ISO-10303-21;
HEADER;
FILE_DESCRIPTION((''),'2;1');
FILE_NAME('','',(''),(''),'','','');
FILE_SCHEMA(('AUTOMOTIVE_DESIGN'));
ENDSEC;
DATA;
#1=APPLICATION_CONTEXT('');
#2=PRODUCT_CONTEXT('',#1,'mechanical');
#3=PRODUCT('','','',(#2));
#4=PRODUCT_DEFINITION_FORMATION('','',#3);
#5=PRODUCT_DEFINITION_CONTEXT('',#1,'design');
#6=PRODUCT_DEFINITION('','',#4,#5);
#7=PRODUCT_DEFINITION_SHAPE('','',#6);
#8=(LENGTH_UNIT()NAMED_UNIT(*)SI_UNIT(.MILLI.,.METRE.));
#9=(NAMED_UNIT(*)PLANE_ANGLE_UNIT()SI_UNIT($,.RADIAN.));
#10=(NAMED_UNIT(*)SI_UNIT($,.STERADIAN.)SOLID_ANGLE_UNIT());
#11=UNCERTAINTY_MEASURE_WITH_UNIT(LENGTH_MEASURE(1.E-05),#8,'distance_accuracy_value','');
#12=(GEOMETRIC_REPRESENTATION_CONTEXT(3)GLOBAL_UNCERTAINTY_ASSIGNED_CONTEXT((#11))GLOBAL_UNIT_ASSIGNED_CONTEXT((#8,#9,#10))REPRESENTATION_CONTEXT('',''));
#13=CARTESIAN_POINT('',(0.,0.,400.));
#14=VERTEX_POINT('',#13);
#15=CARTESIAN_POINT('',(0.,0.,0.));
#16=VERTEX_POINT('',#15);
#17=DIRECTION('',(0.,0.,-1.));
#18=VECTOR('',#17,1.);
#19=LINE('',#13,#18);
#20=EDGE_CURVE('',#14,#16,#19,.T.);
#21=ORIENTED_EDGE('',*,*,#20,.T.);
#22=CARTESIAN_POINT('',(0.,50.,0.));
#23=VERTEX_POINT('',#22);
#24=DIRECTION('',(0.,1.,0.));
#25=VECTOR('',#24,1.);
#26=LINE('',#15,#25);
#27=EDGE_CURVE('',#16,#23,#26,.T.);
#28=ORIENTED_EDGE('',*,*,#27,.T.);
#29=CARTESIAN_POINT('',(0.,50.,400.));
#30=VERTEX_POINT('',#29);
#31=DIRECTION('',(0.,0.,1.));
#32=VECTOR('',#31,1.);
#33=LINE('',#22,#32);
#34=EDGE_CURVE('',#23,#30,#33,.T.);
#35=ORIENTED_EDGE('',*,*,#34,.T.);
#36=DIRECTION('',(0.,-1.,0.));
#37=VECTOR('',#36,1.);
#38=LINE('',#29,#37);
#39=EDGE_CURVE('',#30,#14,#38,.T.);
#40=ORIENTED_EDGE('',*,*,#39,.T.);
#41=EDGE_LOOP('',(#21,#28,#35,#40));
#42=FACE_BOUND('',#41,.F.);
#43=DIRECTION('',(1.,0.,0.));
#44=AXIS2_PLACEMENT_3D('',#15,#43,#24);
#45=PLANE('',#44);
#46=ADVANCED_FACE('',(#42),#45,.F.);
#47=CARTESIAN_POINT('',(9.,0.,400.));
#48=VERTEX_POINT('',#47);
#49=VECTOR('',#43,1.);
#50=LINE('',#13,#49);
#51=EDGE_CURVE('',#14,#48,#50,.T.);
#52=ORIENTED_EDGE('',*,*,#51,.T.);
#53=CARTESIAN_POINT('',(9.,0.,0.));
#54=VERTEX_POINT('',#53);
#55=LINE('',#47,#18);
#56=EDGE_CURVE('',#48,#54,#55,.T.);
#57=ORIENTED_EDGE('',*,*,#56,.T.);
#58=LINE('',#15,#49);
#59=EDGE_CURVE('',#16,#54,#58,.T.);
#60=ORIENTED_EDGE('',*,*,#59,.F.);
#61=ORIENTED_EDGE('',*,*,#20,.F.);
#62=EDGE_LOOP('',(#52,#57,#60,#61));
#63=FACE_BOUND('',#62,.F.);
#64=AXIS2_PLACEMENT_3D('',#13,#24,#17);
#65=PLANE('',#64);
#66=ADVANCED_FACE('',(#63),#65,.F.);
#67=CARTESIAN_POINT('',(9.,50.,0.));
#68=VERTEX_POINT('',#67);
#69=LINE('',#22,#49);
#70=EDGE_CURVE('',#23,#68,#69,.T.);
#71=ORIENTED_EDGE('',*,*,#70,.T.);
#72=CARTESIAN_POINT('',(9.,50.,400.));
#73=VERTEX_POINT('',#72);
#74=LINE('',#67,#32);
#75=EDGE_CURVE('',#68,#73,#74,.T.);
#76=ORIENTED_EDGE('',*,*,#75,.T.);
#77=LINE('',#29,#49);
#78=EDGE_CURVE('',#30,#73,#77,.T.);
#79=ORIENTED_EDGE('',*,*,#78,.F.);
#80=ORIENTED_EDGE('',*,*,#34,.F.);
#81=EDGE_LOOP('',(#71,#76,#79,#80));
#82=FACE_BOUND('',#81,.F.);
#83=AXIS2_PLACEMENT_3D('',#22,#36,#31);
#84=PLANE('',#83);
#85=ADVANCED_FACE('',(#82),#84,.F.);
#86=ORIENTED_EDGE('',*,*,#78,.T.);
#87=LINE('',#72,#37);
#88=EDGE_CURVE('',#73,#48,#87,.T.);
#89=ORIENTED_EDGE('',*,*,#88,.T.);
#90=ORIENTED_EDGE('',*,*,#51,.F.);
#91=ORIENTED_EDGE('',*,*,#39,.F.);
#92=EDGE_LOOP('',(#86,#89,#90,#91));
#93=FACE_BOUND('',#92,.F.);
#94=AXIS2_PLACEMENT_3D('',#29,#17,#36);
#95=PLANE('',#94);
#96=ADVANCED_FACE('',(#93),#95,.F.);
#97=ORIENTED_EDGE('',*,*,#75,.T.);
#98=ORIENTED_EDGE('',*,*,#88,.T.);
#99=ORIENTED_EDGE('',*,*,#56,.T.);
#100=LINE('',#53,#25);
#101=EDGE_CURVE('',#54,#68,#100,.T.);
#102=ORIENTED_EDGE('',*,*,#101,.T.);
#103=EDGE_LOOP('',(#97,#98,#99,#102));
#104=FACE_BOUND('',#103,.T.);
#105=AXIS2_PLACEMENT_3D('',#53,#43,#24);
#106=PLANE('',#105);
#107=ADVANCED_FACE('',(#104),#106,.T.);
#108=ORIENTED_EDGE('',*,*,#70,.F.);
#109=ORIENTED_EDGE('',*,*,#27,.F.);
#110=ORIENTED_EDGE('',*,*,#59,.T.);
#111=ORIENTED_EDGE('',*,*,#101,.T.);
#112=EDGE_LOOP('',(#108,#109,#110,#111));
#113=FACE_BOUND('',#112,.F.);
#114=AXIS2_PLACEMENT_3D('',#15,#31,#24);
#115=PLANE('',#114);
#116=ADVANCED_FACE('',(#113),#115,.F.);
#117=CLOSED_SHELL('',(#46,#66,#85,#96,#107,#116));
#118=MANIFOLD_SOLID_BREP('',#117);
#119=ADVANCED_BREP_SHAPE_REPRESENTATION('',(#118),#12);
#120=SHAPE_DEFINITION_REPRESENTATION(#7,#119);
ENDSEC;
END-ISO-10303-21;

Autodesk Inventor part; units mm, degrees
ref_plane "YZ Plane" through (0, 0, 0) normal (1, 0, 0) x (0, 1, 0)
ref_plane "XZ Plane" through (0, 0, 0) normal (0, 1, 0) x (-1, 0, 0)
ref_plane "XY Plane" through (0, 0, 0) normal (0, 0, 1) x (1, 0, 0)
sketch "Sketch1" plane through (0, 0, 0) normal (1, 0, 0) x (0, 1, 0)
  line L0 (0, 0) -> (50, 0)
  line L1 (50, 0) -> (50, 400)
  line L2 (50, 400) -> (0, 400)
  line L3 (0, 400) -> (0, 0)
  dimension "d0" = 50
  dimension "d1" = 400
extrude "Extrusion1" add sketch "Sketch1" along normal blind 9
properties part number "leg2"
